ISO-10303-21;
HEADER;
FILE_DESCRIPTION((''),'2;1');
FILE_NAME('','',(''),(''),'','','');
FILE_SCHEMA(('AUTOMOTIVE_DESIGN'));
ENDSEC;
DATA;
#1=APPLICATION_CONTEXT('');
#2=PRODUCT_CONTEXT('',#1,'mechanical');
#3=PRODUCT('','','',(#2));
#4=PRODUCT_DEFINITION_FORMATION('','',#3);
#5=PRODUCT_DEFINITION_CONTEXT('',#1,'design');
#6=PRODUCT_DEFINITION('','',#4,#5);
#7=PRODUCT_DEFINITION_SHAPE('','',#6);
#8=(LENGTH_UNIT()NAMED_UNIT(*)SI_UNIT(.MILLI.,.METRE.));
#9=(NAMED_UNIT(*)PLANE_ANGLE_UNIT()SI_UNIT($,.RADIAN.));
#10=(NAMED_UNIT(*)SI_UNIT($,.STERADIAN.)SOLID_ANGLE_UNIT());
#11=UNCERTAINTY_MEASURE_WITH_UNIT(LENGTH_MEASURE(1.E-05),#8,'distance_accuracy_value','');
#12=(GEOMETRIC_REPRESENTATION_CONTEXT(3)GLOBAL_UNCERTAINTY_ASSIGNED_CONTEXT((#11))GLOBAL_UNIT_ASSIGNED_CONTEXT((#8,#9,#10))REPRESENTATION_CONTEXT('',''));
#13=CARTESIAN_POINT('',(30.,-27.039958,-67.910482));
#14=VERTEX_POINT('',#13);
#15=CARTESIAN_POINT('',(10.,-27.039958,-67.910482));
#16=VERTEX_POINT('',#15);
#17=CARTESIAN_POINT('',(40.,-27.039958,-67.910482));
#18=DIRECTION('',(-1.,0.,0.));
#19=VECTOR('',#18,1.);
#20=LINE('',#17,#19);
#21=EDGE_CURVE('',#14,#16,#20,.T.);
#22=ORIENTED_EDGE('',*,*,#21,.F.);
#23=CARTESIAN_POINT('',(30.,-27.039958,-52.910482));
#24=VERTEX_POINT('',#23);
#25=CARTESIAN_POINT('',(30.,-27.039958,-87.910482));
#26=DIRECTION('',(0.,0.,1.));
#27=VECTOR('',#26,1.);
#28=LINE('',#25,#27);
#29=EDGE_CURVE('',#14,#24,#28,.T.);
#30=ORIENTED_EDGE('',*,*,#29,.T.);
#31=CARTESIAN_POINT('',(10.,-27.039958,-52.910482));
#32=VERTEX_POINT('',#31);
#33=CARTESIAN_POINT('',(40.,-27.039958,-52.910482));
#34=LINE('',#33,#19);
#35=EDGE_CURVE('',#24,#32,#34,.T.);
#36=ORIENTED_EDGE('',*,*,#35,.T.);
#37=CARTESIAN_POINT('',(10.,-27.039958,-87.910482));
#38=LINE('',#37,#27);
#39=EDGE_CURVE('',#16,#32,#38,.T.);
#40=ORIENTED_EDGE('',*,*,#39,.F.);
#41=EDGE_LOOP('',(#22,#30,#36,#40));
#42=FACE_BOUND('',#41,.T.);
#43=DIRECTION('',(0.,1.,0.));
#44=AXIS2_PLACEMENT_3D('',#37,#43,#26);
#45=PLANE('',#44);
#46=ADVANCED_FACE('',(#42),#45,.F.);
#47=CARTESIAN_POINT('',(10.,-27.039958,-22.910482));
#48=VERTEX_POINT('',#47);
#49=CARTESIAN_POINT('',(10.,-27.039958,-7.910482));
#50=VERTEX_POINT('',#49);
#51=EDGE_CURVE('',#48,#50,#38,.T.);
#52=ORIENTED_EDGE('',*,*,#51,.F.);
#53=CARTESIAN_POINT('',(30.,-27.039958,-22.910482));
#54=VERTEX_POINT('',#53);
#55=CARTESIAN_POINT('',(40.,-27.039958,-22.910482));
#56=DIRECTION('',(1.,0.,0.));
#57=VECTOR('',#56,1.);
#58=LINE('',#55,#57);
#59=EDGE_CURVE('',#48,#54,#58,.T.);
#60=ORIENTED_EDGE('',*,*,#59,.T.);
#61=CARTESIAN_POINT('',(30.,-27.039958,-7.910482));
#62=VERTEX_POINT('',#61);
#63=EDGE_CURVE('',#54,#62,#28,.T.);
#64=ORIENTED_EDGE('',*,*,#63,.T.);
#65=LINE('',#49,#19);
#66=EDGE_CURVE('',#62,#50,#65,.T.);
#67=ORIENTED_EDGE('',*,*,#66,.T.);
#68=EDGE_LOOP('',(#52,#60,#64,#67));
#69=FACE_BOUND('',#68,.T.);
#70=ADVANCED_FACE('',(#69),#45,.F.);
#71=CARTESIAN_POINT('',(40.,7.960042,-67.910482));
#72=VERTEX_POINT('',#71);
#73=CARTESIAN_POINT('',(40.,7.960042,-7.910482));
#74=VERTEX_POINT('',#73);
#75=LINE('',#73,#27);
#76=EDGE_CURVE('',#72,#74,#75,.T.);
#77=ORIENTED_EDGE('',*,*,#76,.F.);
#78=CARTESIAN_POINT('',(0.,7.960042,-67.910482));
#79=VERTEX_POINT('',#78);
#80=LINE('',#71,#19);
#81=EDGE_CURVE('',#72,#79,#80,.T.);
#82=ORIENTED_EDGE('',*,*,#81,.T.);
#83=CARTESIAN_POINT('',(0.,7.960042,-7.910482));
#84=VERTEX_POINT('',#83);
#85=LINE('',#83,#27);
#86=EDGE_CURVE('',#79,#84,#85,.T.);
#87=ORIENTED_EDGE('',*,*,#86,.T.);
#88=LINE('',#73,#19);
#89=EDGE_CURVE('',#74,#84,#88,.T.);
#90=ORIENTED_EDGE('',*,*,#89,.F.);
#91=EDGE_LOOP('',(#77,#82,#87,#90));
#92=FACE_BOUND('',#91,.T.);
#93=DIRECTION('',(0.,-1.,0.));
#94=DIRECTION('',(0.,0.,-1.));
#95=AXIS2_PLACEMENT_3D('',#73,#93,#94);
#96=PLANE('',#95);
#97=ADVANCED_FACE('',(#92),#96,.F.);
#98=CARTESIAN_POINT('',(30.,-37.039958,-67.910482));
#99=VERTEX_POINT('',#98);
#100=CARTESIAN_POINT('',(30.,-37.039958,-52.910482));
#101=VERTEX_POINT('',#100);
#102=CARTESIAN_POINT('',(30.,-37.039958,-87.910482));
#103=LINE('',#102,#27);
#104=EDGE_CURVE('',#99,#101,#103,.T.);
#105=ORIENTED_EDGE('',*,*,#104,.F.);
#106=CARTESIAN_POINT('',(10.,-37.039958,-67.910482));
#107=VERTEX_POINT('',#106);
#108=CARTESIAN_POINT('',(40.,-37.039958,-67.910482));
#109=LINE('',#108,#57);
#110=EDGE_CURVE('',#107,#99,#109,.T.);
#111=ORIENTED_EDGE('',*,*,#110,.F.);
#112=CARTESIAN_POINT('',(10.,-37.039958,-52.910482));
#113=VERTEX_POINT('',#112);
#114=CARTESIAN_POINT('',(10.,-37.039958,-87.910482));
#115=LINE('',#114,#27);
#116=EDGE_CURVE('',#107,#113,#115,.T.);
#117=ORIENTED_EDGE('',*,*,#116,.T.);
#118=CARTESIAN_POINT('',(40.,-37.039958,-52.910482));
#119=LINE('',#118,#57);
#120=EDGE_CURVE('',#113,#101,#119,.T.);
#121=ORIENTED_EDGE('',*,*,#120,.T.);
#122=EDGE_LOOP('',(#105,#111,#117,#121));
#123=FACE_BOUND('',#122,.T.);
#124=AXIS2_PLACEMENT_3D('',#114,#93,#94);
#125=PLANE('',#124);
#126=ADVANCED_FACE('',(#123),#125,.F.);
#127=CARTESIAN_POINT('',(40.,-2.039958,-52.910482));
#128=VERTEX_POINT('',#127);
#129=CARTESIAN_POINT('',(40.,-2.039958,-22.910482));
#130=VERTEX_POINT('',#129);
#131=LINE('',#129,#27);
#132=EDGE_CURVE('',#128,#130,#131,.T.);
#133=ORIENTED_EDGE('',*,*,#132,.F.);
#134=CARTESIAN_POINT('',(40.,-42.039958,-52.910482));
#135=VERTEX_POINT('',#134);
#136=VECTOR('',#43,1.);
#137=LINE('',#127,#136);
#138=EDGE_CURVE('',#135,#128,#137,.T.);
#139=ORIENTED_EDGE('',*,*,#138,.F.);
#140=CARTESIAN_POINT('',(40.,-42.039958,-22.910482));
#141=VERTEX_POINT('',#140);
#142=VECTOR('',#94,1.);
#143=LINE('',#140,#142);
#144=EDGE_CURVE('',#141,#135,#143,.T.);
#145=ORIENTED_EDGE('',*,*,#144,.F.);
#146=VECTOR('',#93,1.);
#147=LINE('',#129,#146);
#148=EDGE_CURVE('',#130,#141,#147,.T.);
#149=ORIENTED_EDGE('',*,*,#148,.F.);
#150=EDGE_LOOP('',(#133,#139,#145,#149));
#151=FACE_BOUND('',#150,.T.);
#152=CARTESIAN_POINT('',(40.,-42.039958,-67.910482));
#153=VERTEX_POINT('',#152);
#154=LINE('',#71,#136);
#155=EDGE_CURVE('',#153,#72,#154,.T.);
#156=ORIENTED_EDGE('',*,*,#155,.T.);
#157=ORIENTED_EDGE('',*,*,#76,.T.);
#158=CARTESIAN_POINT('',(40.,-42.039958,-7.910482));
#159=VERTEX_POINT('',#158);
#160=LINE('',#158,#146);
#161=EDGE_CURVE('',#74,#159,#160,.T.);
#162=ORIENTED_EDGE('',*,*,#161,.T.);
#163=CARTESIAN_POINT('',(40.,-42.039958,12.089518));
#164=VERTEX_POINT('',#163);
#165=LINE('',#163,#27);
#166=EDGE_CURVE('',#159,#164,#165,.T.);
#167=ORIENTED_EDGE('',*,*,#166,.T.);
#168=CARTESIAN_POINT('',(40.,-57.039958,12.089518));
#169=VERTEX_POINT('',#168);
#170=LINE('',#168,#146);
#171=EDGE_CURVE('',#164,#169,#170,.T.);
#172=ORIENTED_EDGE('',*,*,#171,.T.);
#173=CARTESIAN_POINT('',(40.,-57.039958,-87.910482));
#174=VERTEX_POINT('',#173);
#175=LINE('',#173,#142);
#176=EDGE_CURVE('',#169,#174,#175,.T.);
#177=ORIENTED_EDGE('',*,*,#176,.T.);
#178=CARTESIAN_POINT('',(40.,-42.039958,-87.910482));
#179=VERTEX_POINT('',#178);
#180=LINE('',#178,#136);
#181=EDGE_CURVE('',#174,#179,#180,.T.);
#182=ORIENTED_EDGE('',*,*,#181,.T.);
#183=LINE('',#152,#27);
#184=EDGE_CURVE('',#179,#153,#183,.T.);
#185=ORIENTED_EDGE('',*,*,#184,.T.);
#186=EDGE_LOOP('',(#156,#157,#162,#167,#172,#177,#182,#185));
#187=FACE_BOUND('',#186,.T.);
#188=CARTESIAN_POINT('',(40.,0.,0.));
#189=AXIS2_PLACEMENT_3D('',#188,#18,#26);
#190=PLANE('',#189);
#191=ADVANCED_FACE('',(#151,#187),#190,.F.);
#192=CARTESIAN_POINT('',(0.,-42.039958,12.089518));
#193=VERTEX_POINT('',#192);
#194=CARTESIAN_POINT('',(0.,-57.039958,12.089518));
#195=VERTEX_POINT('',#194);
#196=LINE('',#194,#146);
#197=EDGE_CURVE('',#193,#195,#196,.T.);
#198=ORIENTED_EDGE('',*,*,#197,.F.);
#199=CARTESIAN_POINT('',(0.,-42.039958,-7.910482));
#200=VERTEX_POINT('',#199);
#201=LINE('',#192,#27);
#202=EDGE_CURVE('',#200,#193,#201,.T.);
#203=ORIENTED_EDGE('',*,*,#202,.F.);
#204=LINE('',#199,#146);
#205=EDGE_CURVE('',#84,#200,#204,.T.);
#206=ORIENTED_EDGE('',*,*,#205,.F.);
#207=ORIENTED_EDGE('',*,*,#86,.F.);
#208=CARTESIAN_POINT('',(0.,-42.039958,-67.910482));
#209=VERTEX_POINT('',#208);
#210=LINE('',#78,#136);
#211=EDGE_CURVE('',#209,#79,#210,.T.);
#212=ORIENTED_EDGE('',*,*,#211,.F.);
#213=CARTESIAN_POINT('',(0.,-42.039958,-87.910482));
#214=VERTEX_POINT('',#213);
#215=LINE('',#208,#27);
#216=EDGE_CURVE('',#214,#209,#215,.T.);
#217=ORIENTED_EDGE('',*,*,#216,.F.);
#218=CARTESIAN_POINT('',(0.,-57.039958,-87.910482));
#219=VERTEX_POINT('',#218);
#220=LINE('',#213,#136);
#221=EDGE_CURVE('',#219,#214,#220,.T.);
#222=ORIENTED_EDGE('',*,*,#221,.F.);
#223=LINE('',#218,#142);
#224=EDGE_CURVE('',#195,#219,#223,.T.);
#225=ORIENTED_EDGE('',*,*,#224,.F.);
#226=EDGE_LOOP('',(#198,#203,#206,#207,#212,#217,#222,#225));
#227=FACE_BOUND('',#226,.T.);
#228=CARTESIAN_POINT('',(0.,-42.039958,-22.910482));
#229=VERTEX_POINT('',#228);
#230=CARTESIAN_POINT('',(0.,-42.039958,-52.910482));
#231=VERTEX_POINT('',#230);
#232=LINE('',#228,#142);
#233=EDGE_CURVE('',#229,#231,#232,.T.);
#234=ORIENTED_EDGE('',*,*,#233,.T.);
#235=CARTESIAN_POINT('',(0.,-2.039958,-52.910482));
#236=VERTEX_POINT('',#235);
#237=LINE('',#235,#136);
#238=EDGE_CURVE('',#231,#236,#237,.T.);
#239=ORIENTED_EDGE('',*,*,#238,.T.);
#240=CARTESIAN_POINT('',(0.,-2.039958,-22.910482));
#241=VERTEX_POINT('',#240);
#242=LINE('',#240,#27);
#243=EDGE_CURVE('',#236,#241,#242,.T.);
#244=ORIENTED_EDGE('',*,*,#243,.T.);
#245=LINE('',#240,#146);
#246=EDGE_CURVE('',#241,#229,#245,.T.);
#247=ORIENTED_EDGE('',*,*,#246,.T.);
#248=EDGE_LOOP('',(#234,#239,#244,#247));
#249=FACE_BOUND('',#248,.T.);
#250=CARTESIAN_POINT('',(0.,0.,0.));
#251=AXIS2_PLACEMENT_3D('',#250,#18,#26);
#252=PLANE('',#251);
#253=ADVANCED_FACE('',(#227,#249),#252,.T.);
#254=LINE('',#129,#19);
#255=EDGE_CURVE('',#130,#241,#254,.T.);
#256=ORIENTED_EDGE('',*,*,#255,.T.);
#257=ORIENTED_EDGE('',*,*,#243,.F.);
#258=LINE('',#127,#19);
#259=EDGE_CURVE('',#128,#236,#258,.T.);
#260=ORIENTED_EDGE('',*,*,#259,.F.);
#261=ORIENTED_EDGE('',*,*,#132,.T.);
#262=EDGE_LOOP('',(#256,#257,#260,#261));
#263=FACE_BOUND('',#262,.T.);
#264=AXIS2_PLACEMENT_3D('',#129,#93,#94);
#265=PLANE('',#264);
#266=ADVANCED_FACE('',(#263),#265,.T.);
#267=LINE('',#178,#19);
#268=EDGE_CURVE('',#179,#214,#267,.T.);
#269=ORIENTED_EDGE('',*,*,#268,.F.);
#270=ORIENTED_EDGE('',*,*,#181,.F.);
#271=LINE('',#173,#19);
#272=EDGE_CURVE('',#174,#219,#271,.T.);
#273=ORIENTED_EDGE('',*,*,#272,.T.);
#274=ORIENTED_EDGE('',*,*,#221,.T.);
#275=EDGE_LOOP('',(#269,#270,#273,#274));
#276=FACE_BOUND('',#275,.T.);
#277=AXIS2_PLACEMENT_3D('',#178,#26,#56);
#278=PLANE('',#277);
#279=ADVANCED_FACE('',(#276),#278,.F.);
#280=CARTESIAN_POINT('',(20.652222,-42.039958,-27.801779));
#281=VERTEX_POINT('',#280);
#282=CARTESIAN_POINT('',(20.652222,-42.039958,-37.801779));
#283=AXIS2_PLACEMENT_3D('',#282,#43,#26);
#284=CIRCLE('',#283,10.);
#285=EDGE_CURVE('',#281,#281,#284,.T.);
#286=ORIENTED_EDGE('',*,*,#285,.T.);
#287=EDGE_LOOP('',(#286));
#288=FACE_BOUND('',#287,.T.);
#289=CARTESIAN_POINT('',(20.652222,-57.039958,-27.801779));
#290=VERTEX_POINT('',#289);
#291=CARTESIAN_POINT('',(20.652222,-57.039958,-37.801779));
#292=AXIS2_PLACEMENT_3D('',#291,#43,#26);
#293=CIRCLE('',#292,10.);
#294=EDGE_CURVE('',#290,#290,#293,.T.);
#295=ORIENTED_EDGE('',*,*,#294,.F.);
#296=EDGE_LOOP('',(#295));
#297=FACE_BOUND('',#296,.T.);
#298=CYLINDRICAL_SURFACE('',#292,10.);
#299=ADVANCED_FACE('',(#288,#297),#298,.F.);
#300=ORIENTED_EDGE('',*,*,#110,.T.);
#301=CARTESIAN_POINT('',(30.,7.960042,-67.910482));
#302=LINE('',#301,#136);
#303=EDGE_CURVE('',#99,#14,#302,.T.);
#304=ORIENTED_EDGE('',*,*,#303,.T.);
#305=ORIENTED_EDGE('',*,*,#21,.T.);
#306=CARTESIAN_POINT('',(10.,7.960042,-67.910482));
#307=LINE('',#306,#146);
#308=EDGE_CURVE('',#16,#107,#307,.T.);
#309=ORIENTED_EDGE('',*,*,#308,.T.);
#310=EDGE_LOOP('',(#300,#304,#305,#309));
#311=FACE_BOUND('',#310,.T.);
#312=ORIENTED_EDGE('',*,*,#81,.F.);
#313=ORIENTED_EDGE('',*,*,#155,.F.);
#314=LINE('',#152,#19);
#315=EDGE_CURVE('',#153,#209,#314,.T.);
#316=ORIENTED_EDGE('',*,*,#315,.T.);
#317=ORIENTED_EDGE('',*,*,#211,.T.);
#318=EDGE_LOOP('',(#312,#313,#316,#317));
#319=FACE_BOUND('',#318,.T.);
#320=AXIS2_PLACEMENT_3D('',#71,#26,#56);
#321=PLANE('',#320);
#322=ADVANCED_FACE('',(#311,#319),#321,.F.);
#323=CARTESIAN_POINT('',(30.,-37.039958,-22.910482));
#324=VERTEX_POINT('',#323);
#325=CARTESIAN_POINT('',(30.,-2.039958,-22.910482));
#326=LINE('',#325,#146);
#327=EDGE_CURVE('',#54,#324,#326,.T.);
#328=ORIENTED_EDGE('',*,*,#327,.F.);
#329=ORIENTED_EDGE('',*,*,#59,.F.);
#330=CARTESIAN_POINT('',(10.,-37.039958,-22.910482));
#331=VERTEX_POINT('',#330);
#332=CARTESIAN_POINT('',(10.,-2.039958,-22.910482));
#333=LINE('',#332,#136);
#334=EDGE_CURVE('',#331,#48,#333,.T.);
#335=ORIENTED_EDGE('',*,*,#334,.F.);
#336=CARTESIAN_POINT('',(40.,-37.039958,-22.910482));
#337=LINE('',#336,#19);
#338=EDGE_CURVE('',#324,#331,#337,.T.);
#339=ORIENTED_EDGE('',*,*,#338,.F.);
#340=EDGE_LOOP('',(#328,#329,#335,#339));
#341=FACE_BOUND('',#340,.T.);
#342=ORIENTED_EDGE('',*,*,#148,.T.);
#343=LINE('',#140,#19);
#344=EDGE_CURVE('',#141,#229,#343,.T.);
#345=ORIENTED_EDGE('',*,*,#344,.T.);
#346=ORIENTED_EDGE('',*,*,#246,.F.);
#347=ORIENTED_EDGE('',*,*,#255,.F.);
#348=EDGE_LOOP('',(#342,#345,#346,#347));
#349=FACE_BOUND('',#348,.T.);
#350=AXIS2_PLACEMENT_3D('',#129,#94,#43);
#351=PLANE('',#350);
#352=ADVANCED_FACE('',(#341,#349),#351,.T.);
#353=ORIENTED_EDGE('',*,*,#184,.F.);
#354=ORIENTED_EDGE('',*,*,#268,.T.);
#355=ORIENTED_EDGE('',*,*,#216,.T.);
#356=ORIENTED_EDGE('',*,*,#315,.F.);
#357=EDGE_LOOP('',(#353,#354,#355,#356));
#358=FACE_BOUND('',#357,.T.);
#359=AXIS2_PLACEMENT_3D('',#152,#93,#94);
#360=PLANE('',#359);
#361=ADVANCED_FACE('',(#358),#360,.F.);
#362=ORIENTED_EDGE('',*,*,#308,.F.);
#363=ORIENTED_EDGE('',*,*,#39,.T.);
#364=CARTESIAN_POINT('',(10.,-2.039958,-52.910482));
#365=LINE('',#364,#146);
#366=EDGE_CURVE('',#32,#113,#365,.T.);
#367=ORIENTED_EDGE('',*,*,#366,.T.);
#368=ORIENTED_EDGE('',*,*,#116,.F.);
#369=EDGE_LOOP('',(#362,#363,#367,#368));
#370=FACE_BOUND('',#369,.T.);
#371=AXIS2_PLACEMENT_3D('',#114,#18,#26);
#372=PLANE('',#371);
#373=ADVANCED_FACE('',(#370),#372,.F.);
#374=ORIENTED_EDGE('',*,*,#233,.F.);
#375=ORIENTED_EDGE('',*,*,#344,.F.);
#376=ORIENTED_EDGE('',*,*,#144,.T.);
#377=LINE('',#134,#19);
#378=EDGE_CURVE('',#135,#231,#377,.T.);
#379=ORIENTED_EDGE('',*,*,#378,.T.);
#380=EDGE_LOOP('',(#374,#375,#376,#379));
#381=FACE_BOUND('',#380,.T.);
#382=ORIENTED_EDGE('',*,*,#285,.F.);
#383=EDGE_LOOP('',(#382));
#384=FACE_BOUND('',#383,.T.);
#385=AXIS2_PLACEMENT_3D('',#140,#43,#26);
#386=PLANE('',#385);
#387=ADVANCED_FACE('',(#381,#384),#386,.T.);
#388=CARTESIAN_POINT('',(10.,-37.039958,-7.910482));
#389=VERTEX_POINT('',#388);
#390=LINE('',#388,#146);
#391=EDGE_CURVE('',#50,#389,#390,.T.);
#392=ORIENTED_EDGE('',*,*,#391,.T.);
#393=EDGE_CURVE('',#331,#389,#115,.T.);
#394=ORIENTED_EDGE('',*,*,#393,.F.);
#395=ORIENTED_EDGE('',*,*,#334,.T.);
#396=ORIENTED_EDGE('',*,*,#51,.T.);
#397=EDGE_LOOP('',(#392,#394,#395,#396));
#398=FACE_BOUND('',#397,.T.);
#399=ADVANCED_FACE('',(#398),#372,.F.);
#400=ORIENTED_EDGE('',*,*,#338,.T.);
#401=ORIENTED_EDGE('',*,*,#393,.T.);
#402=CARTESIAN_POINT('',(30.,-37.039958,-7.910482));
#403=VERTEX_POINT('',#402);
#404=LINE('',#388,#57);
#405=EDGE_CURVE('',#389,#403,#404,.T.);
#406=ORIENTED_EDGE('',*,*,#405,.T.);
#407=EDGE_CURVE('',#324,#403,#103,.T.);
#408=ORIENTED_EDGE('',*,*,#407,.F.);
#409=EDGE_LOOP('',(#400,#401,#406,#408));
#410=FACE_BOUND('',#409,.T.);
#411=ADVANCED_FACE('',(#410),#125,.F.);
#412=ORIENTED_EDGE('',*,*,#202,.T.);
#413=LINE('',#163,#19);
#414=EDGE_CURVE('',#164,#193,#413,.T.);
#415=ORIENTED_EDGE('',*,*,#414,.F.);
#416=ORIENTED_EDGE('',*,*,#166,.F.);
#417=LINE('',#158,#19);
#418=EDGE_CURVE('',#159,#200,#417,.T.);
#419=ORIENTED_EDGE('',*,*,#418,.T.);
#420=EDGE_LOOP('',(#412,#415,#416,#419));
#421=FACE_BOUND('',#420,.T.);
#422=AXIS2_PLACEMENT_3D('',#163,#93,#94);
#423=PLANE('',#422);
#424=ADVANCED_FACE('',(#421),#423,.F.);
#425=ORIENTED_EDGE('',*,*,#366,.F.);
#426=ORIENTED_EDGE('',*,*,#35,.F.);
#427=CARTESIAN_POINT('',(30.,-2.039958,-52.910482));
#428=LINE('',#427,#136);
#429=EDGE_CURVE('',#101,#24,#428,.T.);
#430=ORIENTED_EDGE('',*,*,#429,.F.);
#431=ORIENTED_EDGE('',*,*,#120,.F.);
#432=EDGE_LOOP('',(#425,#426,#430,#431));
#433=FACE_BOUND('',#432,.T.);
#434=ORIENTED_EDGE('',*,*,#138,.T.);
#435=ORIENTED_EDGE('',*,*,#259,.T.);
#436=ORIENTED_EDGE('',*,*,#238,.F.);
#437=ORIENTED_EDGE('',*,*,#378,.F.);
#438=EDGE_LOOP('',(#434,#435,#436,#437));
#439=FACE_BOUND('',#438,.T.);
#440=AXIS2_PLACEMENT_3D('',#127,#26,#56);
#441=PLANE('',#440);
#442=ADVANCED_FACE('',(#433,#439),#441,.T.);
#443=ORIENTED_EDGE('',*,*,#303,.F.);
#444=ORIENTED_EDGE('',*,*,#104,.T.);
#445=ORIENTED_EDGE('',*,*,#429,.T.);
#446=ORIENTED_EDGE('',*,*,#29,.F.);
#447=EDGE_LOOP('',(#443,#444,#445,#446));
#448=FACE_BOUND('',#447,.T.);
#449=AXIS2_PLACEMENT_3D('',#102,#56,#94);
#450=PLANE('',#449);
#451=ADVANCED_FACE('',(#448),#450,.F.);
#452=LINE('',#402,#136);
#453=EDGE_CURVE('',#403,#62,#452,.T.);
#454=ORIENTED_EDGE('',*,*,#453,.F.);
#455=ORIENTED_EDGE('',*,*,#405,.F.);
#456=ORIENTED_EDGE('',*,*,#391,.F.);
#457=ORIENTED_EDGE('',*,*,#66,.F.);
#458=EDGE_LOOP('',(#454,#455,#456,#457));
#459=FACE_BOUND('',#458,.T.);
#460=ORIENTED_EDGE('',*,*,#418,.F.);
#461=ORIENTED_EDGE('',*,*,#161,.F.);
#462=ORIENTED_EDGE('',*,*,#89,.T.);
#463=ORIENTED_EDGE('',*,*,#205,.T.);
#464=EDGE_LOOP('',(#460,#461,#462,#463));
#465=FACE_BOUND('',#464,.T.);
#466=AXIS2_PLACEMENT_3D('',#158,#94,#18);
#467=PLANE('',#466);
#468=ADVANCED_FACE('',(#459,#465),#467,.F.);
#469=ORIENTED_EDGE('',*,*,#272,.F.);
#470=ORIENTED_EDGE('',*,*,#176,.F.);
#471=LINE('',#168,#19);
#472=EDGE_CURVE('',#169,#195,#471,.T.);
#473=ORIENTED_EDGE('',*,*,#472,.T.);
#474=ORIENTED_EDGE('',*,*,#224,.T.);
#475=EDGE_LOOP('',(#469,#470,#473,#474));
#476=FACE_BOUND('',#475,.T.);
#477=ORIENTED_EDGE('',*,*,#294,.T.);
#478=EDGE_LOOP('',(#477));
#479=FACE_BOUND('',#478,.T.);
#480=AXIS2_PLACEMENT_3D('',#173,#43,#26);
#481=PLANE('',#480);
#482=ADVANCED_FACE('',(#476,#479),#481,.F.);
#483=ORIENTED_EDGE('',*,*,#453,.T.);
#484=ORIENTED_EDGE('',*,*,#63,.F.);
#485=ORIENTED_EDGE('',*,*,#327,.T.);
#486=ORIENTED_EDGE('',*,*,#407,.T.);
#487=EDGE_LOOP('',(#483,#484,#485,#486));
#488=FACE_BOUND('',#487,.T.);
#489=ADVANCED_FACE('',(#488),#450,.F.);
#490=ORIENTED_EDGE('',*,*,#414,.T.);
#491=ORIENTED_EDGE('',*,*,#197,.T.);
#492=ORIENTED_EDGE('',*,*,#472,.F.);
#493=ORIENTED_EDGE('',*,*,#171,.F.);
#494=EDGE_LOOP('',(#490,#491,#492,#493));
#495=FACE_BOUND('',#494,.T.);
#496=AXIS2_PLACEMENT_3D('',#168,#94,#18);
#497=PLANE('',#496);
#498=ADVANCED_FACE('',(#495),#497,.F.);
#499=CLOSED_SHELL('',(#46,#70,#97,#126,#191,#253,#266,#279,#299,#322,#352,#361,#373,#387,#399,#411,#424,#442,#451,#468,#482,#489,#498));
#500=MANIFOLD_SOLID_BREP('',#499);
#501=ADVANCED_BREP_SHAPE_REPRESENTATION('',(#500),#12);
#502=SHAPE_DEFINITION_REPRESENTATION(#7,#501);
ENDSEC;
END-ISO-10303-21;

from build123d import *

# Parameters (mm, degrees)
SKETCH1_W           = 30
SKETCH1_H           = 40
BOSS_EXTRUDE1_DEPTH = 40
SKETCH2_W           = 20
SKETCH2_H           = 10
CUT_EXTRUDE1_DEPTH  = 107.082782983
SKETCH3_R           = 10
CUT_EXTRUDE2_DEPTH  = 109.757771635


with BuildPart() as part:
    # Sketch1 → Boss-Extrude1 (new body)
    with BuildSketch(Plane(origin=(0, 0, 0), x_dir=(0, 0, -1), z_dir=(1, 0, 0))):
        Polygon((-12.089517741, -57.039958323), (-12.089517741, -42.039958323), (7.910482259, -42.039958323), (7.910482259, 7.960041677), (67.910482259, 7.960041677), (67.910482259, -42.039958323), (87.910482259, -42.039958323), (87.910482259, -57.039958323), align=None)
        with Locations((37.910482259, -22.039958323)):
            Rectangle(SKETCH1_W, SKETCH1_H, mode=Mode.SUBTRACT)
    extrude(amount=BOSS_EXTRUDE1_DEPTH)

    # Sketch2 → Cut-Extrude1 (cut, through all)
    with BuildSketch(Plane.XY.offset(-7.910482259)):
        with Locations((20, -32.039958323)):
            Rectangle(SKETCH2_W, SKETCH2_H)
    extrude(amount=-CUT_EXTRUDE1_DEPTH, mode=Mode.SUBTRACT)

    # Sketch3 → Cut-Extrude2 (cut, through all)
    with BuildSketch(Plane(origin=(0, -42.039958323, 0), x_dir=(1, 0, 0), z_dir=(0, 1, 0))):
        with Locations(Location((20.652222237, 37.801778553, 0), (0, 0, 270))):
            Circle(SKETCH3_R)
    extrude(amount=-CUT_EXTRUDE2_DEPTH, mode=Mode.SUBTRACT)


solid = part.part
